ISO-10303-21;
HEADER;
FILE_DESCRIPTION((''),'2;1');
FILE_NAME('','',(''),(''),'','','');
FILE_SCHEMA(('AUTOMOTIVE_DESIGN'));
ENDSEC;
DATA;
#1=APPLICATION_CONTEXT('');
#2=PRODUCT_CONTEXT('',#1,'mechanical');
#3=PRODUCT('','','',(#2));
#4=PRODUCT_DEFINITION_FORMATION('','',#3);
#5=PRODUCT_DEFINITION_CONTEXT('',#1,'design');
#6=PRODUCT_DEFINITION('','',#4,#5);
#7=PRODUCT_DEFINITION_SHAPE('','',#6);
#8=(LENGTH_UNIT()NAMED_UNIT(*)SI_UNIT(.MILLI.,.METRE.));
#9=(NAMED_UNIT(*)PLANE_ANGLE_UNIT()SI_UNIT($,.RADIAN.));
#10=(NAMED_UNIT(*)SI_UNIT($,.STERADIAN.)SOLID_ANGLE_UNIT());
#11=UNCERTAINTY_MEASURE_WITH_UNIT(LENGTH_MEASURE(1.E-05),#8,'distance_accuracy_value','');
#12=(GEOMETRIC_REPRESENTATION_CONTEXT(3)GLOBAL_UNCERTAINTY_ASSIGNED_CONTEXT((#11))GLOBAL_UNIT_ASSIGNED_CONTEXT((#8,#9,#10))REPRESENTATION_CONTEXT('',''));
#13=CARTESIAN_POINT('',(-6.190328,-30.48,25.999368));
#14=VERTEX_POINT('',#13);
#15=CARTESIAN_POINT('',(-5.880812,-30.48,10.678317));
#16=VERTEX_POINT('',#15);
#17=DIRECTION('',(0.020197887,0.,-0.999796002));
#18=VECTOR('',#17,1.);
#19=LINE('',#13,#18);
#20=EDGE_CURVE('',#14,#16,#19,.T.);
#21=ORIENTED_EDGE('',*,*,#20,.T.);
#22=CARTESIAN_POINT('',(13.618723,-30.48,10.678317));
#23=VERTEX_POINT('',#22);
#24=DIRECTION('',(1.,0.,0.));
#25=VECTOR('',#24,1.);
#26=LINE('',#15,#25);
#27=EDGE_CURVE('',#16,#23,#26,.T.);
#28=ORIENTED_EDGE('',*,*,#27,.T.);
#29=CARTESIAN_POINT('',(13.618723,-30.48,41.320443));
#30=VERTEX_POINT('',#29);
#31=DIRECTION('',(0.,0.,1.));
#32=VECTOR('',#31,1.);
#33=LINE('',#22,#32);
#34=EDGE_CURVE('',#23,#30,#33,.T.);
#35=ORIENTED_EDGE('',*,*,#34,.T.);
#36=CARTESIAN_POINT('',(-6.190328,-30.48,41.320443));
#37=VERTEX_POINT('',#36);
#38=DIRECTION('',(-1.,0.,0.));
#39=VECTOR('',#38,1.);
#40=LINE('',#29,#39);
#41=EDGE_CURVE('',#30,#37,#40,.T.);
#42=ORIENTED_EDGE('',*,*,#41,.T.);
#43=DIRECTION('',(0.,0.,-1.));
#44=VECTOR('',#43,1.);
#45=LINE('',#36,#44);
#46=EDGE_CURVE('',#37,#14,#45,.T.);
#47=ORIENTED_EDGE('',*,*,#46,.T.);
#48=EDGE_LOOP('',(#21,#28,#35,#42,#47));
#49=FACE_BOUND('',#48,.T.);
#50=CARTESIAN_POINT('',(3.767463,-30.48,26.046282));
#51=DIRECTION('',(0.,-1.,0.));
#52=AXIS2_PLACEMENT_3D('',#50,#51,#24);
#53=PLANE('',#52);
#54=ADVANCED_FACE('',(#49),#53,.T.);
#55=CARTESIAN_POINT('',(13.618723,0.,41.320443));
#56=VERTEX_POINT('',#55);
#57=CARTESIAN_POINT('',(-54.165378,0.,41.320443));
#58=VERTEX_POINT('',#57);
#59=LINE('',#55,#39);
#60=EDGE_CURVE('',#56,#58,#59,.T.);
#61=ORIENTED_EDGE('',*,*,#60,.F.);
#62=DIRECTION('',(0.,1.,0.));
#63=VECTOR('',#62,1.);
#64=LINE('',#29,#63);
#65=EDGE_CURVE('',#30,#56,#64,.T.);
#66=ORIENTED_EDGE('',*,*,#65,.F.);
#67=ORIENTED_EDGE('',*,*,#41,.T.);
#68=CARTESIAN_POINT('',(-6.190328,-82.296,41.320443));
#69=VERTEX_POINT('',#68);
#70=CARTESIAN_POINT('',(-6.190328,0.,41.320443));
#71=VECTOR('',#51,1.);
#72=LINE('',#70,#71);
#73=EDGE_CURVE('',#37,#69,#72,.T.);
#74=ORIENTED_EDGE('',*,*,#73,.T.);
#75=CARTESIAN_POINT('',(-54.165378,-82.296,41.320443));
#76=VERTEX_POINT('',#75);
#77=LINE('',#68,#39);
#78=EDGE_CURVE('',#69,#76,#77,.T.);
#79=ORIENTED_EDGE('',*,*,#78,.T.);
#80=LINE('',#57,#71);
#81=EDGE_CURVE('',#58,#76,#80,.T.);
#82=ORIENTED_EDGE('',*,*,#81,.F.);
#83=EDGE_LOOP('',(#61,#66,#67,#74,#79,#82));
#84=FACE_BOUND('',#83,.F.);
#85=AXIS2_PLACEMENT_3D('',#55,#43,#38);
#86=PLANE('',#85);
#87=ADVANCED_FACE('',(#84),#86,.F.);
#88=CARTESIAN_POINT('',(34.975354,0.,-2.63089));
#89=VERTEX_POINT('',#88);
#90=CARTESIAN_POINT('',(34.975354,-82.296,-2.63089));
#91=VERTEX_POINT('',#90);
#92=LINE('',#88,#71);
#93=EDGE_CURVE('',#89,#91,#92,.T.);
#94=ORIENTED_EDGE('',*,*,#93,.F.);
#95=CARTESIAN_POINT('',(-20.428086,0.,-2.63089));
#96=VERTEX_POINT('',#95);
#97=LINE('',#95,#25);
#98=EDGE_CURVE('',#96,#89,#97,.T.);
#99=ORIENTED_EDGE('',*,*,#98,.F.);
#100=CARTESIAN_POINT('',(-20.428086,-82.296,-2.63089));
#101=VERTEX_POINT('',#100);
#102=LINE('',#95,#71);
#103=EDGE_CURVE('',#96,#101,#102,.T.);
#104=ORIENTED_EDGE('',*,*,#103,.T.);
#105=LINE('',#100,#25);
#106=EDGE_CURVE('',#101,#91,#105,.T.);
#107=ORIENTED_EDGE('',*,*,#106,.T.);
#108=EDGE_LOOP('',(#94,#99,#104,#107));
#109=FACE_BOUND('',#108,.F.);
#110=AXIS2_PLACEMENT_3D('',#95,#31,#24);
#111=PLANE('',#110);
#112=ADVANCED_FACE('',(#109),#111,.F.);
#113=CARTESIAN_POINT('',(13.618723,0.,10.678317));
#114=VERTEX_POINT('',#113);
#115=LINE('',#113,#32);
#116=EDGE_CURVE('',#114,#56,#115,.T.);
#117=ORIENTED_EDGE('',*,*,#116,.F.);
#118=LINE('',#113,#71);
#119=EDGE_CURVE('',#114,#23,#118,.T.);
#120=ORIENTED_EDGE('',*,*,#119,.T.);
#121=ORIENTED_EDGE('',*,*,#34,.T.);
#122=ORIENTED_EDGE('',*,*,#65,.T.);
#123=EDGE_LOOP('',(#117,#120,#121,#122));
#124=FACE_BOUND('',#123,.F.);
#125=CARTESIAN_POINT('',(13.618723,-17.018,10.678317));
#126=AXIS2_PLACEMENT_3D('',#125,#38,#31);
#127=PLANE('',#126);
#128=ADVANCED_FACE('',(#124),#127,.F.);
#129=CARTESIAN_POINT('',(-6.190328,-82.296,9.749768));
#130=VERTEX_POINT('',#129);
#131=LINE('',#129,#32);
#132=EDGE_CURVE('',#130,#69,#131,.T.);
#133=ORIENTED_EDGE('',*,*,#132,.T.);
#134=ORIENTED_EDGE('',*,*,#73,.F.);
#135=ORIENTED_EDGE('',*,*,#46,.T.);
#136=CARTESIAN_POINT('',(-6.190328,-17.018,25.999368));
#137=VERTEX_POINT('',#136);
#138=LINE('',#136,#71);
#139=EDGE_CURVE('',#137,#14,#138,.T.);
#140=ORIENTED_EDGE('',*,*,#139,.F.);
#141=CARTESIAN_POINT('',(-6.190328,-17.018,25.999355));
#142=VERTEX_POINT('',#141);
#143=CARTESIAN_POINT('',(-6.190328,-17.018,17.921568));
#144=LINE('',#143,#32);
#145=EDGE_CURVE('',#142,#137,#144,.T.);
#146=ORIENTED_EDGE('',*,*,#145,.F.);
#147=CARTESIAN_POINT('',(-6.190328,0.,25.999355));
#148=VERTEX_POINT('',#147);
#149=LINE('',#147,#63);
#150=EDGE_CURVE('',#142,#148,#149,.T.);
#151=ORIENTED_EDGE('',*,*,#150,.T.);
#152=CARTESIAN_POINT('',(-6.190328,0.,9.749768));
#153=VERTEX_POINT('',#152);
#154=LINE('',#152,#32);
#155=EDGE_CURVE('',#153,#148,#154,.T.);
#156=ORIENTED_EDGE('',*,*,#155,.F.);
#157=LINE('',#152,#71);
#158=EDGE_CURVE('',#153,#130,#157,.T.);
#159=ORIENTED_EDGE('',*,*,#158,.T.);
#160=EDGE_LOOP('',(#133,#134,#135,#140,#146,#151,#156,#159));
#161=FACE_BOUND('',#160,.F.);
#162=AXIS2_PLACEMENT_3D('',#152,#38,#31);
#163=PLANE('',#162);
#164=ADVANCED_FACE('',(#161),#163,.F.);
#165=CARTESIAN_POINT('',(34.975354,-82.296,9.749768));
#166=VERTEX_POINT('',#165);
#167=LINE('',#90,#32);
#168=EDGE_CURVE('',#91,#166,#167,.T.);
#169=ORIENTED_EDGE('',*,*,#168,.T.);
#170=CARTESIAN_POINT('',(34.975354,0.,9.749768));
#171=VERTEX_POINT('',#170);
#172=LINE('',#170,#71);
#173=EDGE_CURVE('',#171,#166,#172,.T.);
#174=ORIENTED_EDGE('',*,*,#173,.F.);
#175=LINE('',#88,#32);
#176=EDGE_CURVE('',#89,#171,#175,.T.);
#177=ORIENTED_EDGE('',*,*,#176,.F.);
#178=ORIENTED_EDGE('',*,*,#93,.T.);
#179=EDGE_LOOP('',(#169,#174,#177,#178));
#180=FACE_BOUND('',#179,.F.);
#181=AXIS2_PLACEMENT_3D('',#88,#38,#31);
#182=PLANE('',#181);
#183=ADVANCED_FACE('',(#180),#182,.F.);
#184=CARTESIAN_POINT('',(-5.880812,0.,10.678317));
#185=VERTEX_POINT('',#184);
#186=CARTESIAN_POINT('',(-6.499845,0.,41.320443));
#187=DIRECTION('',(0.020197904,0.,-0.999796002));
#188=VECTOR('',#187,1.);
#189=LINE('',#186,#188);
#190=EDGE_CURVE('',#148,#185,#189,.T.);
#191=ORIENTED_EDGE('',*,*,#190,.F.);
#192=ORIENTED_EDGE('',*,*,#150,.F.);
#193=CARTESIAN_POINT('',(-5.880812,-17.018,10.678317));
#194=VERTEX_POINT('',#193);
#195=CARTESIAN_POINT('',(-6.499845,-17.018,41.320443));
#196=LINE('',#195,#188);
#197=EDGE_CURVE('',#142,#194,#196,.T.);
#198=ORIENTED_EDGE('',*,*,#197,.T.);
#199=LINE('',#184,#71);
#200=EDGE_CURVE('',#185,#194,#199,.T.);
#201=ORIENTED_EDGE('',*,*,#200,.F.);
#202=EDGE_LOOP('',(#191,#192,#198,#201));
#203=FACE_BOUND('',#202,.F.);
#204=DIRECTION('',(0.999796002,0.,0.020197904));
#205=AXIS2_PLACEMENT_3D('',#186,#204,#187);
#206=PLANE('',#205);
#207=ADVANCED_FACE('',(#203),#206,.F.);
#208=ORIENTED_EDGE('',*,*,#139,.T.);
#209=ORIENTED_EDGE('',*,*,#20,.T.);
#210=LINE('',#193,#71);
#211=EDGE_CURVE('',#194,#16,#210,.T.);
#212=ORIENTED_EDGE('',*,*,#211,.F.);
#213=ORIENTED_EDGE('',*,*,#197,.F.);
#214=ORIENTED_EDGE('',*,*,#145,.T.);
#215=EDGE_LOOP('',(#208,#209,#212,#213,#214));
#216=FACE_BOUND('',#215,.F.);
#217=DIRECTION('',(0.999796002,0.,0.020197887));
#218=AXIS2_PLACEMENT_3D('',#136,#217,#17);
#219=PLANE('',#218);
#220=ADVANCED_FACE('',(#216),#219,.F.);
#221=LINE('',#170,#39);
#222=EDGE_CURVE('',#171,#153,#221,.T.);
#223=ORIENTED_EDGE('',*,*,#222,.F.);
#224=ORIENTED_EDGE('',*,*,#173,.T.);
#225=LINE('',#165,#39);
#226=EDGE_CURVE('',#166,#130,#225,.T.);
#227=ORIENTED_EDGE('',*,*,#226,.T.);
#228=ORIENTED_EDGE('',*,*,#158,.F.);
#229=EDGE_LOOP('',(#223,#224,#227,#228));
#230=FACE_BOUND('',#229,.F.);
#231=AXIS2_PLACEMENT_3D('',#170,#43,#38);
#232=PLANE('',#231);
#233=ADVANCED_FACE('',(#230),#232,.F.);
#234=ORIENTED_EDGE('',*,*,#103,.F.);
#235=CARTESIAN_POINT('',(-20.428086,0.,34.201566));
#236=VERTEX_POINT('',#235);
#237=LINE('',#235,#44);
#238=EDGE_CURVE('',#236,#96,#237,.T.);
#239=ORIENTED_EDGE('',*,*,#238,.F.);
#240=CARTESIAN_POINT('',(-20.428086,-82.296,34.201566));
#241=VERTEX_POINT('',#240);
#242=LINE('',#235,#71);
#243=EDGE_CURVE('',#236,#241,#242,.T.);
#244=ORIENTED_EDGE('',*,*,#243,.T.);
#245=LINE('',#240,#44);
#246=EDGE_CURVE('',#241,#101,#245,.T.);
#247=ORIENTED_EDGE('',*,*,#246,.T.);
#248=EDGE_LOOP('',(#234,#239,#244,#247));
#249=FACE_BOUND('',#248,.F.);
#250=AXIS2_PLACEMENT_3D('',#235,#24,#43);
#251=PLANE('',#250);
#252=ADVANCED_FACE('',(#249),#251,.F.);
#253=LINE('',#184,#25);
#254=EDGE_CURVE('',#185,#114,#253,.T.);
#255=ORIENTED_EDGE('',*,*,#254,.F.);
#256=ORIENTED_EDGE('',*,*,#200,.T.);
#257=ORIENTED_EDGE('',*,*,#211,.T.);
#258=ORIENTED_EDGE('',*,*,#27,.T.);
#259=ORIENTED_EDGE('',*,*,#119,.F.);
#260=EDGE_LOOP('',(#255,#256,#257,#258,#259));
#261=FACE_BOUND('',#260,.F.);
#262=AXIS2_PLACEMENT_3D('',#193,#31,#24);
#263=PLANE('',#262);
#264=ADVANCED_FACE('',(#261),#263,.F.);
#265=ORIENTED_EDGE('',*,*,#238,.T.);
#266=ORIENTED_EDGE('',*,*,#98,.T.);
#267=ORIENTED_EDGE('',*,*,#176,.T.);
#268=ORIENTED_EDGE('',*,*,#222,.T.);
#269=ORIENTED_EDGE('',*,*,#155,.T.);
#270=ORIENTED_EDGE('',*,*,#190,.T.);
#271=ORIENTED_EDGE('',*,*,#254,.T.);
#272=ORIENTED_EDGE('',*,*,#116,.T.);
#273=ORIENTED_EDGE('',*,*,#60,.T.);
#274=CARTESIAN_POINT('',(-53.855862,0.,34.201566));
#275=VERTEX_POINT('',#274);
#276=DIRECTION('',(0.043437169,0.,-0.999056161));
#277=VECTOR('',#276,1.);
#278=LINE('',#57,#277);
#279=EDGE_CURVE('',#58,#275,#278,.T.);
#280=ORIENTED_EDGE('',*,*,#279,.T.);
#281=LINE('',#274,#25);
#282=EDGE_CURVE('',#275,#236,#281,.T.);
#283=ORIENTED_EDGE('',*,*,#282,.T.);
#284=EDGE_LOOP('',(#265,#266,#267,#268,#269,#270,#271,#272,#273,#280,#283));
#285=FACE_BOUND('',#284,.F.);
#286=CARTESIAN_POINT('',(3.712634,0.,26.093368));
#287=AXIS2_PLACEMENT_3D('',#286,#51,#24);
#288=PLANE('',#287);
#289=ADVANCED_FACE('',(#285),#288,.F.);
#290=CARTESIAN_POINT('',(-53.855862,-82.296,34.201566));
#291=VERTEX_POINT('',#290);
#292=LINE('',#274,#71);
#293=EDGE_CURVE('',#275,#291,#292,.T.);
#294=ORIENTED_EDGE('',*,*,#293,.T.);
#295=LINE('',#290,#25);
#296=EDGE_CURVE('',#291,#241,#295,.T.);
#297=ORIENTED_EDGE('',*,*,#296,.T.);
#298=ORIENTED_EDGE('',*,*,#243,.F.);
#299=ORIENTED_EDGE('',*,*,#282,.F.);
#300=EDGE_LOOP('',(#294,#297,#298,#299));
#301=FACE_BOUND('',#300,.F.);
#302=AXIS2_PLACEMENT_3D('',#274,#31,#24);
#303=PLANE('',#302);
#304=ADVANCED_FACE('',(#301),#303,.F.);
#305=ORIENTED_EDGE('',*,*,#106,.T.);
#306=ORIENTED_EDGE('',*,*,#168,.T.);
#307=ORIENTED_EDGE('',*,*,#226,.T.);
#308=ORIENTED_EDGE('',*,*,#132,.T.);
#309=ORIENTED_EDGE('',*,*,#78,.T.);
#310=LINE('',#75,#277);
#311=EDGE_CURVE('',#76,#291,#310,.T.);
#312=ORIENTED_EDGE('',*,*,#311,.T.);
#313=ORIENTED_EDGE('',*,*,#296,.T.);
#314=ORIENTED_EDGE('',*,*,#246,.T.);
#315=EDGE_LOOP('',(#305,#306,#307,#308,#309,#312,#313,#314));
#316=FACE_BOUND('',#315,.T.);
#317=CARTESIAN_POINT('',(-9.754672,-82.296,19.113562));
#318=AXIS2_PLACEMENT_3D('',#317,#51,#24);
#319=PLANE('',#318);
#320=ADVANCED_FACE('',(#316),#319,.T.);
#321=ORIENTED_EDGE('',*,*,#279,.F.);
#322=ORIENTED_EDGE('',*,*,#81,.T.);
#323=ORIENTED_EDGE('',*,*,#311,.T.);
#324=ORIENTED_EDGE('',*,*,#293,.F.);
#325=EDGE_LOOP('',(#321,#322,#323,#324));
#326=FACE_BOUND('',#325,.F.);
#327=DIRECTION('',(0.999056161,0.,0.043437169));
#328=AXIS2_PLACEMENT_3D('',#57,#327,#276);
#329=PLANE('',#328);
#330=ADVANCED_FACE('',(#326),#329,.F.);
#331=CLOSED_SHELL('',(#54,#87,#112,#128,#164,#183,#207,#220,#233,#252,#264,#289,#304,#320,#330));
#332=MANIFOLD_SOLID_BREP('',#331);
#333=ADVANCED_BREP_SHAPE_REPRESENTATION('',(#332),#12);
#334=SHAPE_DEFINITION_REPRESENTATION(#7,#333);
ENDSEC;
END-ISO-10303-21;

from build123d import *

# Parameters (mm, degrees)
F1_DEPTH = 82.296
F3_DEPTH = 17.018
F4_DEPTH = 13.462


with BuildPart() as f1:
    # F0 (on Front) → F1 (new body)
    with BuildSketch(Plane.XZ):
        Polygon((-19.499537, 41.320443), (-54.165378, 41.320443), (-53.855862, 34.201566), (-20.428086, 34.201566), (-20.428086, 18.106712), (-20.428086, -2.63089), (34.975354, -2.63089), (34.975354, 9.749768), (-6.190328, 9.749768), (-6.190328, 41.320443), align=None)
    extrude(amount=F1_DEPTH)

    # F2 (on Front) → F3 (join)
    with BuildSketch(Plane.XZ):
        Polygon((13.618723, 41.320443), (-6.499845, 41.320443), (-5.880812, 10.678317), (13.618723, 10.678317), align=None)
    extrude(amount=F3_DEPTH)

    # F3_face (on face) → F4 (join)
    with BuildSketch(Plane(origin=(3.752634, -17.018, 26.039435), x_dir=(1, 0, 0), z_dir=(0, -1, 0))):
        Polygon((-9.942962, -0.040067), (-9.633446, -15.361118), (9.866089, -15.361118), (9.866089, 15.281008), (-9.942962, 15.281008), align=None)
    extrude(amount=F4_DEPTH)


solid = f1.part
